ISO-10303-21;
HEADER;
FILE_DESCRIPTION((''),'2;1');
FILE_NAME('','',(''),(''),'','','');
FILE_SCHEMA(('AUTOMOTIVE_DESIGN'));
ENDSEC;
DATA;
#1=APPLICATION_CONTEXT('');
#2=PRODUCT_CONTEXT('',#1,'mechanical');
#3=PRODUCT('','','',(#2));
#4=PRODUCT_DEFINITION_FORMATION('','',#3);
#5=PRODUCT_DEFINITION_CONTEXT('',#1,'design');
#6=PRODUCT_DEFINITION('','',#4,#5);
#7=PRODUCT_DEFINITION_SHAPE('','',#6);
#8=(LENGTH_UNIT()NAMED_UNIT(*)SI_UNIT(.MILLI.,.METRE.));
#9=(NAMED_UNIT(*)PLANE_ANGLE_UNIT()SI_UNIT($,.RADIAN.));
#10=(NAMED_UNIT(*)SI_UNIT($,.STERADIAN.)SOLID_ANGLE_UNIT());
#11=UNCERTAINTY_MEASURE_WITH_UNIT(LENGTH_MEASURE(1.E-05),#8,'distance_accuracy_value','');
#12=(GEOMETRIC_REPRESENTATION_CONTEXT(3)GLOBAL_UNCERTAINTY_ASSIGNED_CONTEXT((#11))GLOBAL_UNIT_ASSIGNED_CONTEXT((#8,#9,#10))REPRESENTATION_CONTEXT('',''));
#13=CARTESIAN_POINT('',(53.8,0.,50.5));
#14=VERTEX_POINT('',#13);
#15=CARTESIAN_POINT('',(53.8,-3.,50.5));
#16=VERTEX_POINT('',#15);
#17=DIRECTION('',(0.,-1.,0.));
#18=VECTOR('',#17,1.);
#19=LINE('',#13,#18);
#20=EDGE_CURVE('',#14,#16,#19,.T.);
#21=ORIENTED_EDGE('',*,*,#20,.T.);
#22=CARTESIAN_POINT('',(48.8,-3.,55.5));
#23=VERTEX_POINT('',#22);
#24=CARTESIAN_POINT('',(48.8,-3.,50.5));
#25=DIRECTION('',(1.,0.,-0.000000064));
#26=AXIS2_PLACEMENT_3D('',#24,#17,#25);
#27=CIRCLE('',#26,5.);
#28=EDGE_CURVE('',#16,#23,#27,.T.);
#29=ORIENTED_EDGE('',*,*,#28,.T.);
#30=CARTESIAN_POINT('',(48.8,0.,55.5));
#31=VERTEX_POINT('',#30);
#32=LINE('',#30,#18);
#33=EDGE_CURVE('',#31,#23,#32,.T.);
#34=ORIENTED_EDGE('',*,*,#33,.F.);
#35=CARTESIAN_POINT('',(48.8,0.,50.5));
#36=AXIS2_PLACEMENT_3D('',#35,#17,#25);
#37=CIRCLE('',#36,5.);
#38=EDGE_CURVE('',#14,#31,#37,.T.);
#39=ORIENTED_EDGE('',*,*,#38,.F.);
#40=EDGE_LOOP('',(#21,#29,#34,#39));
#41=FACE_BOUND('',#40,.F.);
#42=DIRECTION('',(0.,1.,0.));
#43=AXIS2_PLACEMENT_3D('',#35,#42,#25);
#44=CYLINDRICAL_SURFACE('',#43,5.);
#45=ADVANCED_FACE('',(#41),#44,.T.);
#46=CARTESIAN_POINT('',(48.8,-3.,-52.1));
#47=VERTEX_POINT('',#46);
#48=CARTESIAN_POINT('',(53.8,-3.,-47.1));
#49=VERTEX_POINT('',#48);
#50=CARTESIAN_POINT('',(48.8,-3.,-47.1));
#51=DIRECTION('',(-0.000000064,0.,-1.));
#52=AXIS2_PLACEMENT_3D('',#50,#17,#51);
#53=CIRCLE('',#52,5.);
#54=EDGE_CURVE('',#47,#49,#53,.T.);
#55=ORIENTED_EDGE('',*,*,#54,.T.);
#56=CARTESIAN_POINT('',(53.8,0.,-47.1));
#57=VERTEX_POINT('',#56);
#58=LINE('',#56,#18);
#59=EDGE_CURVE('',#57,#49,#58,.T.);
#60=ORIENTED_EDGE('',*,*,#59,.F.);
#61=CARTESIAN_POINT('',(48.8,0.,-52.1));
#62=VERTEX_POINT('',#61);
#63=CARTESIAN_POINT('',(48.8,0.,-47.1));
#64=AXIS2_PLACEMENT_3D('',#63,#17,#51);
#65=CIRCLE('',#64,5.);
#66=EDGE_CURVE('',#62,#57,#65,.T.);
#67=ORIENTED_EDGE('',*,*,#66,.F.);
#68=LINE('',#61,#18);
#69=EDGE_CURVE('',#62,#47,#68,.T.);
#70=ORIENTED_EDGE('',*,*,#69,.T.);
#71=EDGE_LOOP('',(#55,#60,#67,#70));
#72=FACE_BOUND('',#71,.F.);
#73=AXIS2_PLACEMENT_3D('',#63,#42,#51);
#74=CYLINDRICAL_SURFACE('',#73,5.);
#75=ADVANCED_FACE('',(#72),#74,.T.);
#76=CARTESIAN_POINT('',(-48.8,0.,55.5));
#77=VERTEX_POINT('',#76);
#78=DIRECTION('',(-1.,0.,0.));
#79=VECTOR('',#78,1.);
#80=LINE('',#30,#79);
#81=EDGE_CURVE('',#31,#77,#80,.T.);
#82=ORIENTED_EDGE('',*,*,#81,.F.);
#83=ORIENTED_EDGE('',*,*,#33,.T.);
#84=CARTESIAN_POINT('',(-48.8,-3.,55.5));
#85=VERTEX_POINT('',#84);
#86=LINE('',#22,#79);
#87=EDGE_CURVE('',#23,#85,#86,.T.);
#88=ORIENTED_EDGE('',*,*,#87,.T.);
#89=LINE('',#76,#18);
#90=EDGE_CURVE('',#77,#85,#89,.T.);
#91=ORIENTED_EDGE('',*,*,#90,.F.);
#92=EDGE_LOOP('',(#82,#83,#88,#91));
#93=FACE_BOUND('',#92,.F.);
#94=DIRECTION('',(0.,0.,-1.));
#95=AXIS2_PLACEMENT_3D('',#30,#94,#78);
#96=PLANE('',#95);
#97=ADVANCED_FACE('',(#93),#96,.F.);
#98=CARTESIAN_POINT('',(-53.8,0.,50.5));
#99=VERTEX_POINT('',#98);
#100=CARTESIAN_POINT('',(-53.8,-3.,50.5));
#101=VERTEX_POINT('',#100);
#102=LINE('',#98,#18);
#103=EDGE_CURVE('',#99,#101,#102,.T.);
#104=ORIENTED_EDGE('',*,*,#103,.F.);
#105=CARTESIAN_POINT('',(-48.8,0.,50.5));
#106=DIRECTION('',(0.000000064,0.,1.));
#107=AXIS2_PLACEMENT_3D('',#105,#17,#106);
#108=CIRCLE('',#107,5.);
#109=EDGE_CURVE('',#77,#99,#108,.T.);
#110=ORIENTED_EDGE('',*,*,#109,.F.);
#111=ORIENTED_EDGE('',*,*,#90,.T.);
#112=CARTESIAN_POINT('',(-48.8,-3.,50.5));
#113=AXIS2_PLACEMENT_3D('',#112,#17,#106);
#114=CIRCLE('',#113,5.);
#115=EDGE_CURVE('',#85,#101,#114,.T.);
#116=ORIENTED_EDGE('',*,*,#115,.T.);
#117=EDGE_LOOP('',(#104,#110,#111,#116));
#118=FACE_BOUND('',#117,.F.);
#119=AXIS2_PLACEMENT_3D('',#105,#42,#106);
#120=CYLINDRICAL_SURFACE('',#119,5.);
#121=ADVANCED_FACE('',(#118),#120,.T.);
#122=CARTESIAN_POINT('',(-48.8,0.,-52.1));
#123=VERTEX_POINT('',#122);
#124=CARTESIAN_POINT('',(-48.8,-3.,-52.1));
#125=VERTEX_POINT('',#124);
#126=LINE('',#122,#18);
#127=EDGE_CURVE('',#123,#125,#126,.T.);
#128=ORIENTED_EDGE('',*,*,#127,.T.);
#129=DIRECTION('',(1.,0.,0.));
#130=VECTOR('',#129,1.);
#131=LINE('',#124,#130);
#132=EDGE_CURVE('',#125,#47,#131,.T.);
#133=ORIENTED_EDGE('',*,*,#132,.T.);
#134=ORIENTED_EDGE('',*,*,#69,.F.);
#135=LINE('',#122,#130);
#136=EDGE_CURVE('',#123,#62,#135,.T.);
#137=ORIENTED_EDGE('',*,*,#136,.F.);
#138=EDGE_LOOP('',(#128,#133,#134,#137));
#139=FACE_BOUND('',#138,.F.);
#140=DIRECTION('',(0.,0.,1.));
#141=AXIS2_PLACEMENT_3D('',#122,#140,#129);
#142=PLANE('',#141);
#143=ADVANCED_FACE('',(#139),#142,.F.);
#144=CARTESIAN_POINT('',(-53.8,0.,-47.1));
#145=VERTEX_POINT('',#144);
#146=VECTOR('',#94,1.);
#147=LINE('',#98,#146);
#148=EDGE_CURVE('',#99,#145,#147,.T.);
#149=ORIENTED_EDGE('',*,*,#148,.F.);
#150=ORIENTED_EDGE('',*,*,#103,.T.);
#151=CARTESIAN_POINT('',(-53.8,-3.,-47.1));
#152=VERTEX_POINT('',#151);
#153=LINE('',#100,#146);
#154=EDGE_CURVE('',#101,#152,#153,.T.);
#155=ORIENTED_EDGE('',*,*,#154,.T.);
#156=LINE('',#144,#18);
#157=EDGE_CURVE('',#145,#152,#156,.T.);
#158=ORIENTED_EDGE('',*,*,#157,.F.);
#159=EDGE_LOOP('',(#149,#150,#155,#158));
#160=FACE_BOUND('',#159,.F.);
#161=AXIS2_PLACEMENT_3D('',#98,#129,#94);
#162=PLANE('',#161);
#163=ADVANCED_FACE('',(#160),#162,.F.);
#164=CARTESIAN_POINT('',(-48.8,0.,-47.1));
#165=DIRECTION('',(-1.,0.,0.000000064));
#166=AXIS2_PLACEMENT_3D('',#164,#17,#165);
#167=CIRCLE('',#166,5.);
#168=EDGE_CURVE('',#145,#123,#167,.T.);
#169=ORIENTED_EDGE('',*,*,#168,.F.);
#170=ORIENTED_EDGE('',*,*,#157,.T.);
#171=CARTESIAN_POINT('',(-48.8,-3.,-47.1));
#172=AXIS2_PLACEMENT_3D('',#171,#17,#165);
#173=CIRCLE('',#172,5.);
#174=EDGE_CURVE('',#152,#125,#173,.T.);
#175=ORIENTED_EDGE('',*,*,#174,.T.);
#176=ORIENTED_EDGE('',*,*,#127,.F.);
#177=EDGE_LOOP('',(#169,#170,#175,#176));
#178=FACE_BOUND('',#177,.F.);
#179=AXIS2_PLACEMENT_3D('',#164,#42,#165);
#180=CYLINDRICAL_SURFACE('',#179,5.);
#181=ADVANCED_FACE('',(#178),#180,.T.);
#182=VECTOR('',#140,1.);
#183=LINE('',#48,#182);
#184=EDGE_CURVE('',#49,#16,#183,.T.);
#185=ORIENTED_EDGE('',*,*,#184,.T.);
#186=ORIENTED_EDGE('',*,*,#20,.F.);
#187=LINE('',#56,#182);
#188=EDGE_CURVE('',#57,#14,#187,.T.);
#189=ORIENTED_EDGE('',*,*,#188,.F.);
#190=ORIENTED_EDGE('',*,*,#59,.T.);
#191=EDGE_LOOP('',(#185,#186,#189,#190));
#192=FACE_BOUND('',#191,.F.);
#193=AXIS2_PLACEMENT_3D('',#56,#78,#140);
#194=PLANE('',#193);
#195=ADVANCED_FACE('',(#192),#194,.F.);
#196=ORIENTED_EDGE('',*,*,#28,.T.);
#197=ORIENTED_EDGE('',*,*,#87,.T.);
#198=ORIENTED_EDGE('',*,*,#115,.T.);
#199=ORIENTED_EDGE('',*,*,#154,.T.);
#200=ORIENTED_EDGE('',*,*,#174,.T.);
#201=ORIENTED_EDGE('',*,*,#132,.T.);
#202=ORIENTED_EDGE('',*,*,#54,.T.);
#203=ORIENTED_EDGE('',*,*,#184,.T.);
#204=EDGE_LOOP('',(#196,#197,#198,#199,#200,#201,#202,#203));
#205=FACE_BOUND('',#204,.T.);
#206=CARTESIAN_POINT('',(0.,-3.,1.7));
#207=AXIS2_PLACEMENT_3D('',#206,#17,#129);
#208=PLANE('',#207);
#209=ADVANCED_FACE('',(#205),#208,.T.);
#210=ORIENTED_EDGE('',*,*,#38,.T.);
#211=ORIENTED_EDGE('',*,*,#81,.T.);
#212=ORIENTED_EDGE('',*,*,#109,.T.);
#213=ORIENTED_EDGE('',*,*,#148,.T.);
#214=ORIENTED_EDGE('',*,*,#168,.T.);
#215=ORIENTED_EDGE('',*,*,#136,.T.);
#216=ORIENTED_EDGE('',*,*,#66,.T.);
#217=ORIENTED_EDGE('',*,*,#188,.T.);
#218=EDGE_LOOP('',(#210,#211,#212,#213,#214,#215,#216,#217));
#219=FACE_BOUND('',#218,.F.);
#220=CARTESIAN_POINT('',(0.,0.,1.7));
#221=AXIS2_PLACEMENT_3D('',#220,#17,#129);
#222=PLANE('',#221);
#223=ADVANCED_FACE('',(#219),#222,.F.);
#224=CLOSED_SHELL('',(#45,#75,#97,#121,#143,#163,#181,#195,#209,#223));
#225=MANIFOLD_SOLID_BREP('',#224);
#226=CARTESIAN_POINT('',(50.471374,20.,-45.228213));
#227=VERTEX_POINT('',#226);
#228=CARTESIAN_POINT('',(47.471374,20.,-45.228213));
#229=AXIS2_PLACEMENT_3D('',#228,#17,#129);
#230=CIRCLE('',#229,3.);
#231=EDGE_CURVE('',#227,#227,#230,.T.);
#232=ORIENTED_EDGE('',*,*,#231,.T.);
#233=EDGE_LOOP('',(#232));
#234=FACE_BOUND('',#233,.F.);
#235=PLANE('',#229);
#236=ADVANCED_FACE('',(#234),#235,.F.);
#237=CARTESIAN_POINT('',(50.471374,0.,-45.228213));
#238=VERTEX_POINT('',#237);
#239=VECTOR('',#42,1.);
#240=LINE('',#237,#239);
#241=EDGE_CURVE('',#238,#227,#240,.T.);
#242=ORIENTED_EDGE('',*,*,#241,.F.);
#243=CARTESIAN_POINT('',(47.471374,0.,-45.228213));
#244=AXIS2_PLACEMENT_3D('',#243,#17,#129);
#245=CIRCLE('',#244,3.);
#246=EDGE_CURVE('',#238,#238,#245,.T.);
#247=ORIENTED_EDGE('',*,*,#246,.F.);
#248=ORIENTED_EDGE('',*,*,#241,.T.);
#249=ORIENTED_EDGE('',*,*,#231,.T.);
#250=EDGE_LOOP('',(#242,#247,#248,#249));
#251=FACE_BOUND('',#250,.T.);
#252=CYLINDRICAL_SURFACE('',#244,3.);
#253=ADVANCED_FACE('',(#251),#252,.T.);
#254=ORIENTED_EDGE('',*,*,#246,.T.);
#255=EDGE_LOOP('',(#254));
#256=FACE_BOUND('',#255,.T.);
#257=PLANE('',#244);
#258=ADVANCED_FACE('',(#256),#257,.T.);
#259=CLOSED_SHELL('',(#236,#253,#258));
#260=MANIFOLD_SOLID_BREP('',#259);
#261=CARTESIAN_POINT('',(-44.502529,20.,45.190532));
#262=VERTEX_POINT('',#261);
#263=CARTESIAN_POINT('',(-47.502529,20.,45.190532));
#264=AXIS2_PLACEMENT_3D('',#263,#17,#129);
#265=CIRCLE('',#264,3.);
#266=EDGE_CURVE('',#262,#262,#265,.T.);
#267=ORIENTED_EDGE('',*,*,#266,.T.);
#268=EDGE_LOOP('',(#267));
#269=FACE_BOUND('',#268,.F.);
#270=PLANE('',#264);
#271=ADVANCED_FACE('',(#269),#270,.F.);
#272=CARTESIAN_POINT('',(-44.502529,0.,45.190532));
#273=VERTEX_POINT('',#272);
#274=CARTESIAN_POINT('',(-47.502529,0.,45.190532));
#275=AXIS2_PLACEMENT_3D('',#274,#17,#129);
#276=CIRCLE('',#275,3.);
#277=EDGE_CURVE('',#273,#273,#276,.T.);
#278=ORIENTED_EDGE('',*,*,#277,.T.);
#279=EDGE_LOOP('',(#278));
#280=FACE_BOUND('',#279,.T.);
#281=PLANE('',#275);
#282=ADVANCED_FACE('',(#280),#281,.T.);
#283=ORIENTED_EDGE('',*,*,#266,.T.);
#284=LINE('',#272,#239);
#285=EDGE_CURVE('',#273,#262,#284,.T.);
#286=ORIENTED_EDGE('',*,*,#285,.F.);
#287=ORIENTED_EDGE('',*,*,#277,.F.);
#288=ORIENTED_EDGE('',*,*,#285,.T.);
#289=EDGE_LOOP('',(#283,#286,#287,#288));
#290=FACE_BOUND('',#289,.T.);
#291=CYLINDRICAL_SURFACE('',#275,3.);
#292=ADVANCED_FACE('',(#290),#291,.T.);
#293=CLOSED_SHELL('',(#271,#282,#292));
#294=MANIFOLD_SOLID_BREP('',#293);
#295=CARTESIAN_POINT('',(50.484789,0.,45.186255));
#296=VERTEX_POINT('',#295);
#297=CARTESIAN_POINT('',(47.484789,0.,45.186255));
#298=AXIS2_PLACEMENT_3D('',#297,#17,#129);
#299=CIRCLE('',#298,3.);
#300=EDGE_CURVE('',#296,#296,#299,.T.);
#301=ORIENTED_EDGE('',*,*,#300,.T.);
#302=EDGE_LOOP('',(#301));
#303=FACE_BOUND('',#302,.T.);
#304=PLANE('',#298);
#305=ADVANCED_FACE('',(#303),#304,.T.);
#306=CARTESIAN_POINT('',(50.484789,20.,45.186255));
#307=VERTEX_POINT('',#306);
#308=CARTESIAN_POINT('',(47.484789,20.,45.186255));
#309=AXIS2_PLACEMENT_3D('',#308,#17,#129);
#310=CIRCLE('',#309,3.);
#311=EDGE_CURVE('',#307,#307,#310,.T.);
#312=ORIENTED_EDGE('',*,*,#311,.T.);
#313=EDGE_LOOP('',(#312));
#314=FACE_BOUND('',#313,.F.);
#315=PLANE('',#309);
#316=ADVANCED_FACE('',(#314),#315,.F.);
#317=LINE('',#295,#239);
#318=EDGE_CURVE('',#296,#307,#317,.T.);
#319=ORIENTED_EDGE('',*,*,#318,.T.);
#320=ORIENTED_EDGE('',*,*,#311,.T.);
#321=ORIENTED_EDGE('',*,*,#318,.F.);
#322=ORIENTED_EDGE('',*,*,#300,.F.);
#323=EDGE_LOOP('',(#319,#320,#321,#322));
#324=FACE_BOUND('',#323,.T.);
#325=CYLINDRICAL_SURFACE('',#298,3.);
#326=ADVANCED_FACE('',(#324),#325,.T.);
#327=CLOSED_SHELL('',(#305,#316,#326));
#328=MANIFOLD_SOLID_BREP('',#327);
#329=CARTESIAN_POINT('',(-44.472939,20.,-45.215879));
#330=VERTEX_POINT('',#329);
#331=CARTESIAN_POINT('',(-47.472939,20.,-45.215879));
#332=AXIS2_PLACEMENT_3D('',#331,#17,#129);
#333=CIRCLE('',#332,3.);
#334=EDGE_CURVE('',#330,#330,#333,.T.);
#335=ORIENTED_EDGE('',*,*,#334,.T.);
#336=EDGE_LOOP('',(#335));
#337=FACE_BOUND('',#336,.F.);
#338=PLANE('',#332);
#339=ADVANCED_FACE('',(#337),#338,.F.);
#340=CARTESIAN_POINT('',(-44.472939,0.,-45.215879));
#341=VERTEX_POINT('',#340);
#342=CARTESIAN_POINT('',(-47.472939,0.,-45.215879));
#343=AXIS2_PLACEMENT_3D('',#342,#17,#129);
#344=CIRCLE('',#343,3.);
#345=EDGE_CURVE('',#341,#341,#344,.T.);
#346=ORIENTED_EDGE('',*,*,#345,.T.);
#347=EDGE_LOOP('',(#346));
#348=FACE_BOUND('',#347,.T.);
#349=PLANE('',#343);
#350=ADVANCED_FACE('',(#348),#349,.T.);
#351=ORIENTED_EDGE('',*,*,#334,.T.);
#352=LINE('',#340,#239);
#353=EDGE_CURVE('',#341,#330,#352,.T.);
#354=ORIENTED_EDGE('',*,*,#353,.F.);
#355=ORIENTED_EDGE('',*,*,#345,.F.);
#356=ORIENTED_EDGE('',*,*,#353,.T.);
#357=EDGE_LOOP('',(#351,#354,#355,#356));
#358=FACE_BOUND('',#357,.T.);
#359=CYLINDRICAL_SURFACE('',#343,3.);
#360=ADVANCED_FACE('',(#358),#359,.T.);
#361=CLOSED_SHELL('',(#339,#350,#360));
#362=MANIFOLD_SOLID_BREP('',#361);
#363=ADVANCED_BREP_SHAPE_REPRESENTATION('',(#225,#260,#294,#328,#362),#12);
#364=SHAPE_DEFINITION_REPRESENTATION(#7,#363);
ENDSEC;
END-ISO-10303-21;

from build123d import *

# Parameters (mm, degrees)
F2_R     = 3
F3_DEPTH = 20
F4_DEPTH = 3


with BuildPart() as f3:
    # F2 (on Front) → F3 (new body)
    with BuildSketch(Plane.XZ):
        with Locations((-47.502529, 45.190532)):
            Circle(F2_R)
        with Locations((47.484789, 45.186255)):
            Circle(F2_R)
        with Locations((47.471374, -45.228213)):
            Circle(F2_R)
        with Locations((-47.472939, -45.215879)):
            Circle(F2_R)
    extrude(amount=-F3_DEPTH)


with BuildPart() as f4:
    # F1 (on Front) → F4 (new body)
    with BuildSketch(Plane.XZ):
        with BuildLine():
            Line((53.8, -47.1), (53.8, 50.5))
            ThreePointArc((53.8, 50.5), (52.335534, 54.035534), (48.8, 55.5))
            Line((48.8, 55.5), (-48.8, 55.5))
            ThreePointArc((-48.8, 55.5), (-52.335534, 54.035534), (-53.8, 50.5))
            Line((-53.8, 50.5), (-53.8, -47.1))
            ThreePointArc((-53.8, -47.1), (-52.335534, -50.635534), (-48.8, -52.1))
            Line((-48.8, -52.1), (48.8, -52.1))
            ThreePointArc((48.8, -52.1), (52.335534, -50.635534), (53.8, -47.1))
        make_face()
    extrude(amount=F4_DEPTH)


solid = Compound([f3.part, f4.part])
